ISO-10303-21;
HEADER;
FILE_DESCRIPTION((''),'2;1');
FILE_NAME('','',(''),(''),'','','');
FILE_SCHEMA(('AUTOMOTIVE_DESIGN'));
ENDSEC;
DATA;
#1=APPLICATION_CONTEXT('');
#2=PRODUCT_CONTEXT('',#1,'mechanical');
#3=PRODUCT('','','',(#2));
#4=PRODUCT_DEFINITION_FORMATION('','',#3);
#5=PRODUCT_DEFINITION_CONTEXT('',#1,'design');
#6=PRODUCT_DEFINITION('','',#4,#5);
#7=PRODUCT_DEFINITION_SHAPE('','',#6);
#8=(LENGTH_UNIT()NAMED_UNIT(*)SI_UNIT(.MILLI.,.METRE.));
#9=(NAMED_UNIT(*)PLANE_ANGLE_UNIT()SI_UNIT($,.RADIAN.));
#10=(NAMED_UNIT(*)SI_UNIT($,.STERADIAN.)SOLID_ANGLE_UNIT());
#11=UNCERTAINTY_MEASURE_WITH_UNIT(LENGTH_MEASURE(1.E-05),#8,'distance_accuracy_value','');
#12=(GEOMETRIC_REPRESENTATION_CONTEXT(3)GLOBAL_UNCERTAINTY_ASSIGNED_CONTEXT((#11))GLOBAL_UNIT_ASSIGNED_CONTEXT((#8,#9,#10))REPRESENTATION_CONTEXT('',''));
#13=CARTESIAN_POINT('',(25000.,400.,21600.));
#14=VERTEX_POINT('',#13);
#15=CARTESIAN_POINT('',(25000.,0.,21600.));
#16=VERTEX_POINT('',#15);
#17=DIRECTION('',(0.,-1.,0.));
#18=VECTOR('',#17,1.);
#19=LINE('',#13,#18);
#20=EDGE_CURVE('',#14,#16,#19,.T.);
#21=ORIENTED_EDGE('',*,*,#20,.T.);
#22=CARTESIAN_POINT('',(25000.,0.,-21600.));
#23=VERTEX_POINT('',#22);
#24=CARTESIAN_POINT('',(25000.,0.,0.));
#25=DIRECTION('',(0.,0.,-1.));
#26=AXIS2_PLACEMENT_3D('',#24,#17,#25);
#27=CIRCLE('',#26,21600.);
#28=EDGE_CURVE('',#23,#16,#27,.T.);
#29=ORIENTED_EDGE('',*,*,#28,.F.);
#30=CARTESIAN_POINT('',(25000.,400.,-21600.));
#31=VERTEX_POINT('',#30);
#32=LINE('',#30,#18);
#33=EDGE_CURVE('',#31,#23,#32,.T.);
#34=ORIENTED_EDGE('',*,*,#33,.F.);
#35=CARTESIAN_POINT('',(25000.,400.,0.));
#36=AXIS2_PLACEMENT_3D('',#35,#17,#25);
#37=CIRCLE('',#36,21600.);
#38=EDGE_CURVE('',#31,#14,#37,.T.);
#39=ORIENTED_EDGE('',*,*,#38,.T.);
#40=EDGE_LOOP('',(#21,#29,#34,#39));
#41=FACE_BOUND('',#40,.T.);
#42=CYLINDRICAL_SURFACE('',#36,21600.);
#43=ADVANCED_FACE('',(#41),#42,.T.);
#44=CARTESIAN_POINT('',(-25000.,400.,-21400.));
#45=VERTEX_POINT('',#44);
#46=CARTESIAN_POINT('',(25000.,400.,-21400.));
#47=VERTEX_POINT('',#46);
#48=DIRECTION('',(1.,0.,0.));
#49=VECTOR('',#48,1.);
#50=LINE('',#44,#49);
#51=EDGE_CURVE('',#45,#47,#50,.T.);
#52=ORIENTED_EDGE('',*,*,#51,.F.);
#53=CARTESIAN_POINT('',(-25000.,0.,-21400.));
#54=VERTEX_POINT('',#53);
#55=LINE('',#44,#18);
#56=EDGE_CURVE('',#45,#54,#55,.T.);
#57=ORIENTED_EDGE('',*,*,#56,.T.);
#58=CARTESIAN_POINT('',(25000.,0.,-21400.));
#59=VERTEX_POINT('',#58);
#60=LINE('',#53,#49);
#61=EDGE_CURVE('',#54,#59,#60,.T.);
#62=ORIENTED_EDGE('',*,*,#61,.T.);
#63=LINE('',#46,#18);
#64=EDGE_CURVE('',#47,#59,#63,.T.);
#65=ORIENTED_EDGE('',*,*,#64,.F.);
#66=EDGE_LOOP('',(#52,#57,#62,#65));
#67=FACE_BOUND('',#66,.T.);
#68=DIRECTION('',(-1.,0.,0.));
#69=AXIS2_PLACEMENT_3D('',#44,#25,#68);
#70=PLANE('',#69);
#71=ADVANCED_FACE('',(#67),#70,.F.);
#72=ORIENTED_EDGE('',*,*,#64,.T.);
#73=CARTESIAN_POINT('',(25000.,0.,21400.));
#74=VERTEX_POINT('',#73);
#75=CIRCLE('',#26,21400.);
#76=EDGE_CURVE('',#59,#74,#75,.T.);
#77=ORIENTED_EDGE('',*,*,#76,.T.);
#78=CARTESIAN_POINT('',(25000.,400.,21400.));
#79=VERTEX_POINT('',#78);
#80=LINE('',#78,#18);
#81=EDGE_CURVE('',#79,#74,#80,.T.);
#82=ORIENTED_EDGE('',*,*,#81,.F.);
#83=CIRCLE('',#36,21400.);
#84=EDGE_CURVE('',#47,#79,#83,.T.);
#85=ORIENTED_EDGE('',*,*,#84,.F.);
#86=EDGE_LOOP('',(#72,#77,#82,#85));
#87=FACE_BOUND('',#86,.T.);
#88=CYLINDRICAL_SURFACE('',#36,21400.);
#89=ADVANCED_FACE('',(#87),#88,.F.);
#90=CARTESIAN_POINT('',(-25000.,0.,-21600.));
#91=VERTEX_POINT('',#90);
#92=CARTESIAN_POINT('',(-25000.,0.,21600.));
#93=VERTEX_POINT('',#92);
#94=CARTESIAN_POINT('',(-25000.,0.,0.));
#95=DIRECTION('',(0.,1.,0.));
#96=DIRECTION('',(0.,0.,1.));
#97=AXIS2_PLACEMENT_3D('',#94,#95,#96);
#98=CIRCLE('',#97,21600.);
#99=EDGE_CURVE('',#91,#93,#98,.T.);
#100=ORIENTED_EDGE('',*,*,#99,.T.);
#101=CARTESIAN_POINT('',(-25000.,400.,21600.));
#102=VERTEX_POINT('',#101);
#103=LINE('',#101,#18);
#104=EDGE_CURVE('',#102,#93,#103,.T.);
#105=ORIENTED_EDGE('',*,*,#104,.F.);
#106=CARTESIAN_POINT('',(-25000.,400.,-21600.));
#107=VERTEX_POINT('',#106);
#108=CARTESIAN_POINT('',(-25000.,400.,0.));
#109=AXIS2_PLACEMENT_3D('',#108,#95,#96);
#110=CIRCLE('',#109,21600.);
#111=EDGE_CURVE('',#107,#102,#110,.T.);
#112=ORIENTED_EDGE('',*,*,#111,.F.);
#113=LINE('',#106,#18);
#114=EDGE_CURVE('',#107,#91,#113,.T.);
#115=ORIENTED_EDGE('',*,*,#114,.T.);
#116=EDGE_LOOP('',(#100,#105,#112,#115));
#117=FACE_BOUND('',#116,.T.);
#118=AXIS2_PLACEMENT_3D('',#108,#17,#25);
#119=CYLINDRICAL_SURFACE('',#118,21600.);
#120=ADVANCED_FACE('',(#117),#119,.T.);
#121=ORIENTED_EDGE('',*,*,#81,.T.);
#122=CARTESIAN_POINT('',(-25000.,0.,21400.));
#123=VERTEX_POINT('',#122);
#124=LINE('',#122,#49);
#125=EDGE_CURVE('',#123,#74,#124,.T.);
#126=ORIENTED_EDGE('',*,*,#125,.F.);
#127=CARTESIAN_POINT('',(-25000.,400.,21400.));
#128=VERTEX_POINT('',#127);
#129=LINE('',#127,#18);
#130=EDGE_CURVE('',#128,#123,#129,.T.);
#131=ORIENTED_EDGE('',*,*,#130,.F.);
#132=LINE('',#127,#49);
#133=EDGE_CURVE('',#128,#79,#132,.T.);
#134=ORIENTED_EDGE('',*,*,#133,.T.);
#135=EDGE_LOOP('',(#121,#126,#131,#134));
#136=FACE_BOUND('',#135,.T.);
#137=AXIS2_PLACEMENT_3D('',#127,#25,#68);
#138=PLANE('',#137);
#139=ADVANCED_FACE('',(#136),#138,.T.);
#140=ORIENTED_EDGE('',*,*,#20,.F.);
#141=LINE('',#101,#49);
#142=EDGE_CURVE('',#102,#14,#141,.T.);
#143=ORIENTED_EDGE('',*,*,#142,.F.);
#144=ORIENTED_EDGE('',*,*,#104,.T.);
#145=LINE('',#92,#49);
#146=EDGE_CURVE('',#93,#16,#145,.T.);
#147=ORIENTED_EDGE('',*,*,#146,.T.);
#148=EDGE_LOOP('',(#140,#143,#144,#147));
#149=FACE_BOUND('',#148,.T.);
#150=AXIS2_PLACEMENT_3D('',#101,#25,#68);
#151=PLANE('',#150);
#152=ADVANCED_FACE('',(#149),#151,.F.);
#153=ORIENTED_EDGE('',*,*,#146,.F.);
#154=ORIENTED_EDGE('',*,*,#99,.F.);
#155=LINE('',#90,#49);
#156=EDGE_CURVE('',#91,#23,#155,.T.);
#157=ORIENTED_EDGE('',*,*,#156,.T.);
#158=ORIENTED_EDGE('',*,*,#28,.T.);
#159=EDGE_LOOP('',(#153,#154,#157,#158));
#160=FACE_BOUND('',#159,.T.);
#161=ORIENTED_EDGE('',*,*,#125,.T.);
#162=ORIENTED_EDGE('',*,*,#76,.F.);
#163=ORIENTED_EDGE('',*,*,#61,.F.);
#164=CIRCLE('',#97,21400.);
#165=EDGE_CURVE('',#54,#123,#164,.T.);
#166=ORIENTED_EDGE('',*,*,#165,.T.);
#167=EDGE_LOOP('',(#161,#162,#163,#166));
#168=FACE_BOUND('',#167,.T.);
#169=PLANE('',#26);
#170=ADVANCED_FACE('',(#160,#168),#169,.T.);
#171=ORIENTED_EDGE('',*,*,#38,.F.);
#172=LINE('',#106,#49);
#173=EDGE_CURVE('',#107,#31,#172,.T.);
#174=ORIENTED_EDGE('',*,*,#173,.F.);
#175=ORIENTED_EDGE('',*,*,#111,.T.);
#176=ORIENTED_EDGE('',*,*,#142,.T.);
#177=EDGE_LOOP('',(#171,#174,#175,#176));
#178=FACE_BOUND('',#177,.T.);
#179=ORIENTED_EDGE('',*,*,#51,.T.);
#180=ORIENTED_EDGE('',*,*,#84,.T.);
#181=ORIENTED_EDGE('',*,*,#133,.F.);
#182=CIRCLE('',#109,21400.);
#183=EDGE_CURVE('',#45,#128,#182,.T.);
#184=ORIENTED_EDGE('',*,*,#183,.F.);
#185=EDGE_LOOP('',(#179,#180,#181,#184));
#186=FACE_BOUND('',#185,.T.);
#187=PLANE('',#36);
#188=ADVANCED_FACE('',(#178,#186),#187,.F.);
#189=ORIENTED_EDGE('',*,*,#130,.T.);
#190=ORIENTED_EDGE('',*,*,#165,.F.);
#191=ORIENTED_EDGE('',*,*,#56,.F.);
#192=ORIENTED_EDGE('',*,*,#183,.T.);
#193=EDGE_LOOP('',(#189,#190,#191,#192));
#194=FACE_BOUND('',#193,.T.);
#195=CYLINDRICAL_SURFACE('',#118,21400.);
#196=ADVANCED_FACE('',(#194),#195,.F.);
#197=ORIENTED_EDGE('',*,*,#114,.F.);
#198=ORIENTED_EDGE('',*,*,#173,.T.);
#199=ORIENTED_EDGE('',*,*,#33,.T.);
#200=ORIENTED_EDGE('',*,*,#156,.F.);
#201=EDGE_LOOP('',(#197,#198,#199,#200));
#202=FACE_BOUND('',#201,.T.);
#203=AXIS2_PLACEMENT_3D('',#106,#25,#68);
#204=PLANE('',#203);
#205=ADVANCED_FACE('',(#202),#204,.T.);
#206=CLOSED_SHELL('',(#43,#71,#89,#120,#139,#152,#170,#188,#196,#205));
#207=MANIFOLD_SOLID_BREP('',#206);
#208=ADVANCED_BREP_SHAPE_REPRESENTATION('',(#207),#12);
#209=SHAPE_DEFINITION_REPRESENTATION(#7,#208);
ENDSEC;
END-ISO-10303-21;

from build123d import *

# Parameters (mm, degrees)
BOSS_EXTRUDE2_DEPTH = 400


with BuildPart() as part:
    # Sketch1 → Boss-Extrude2 (new body)
    with BuildSketch(Plane(origin=(0, 0, 0), x_dir=(1, 0, 0), z_dir=(0, 1, 0))):
        with BuildLine():
            Line((-25000, -21600), (25000, -21600))
            ThreePointArc((25000, -21600), (46600, 0), (25000, 21600))
            Line((25000, 21600), (-25000, 21600))
            ThreePointArc((-25000, 21600), (-46600, 0), (-25000, -21600))
        make_face()
        with BuildLine():
            Line((-25000, -21400), (25000, -21400))
            ThreePointArc((25000, -21400), (46400, 0), (25000, 21400))
            Line((25000, 21400), (-25000, 21400))
            ThreePointArc((-25000, 21400), (-46400, 0), (-25000, -21400))
        make_face(mode=Mode.SUBTRACT)
    extrude(amount=BOSS_EXTRUDE2_DEPTH)


solid = part.part
